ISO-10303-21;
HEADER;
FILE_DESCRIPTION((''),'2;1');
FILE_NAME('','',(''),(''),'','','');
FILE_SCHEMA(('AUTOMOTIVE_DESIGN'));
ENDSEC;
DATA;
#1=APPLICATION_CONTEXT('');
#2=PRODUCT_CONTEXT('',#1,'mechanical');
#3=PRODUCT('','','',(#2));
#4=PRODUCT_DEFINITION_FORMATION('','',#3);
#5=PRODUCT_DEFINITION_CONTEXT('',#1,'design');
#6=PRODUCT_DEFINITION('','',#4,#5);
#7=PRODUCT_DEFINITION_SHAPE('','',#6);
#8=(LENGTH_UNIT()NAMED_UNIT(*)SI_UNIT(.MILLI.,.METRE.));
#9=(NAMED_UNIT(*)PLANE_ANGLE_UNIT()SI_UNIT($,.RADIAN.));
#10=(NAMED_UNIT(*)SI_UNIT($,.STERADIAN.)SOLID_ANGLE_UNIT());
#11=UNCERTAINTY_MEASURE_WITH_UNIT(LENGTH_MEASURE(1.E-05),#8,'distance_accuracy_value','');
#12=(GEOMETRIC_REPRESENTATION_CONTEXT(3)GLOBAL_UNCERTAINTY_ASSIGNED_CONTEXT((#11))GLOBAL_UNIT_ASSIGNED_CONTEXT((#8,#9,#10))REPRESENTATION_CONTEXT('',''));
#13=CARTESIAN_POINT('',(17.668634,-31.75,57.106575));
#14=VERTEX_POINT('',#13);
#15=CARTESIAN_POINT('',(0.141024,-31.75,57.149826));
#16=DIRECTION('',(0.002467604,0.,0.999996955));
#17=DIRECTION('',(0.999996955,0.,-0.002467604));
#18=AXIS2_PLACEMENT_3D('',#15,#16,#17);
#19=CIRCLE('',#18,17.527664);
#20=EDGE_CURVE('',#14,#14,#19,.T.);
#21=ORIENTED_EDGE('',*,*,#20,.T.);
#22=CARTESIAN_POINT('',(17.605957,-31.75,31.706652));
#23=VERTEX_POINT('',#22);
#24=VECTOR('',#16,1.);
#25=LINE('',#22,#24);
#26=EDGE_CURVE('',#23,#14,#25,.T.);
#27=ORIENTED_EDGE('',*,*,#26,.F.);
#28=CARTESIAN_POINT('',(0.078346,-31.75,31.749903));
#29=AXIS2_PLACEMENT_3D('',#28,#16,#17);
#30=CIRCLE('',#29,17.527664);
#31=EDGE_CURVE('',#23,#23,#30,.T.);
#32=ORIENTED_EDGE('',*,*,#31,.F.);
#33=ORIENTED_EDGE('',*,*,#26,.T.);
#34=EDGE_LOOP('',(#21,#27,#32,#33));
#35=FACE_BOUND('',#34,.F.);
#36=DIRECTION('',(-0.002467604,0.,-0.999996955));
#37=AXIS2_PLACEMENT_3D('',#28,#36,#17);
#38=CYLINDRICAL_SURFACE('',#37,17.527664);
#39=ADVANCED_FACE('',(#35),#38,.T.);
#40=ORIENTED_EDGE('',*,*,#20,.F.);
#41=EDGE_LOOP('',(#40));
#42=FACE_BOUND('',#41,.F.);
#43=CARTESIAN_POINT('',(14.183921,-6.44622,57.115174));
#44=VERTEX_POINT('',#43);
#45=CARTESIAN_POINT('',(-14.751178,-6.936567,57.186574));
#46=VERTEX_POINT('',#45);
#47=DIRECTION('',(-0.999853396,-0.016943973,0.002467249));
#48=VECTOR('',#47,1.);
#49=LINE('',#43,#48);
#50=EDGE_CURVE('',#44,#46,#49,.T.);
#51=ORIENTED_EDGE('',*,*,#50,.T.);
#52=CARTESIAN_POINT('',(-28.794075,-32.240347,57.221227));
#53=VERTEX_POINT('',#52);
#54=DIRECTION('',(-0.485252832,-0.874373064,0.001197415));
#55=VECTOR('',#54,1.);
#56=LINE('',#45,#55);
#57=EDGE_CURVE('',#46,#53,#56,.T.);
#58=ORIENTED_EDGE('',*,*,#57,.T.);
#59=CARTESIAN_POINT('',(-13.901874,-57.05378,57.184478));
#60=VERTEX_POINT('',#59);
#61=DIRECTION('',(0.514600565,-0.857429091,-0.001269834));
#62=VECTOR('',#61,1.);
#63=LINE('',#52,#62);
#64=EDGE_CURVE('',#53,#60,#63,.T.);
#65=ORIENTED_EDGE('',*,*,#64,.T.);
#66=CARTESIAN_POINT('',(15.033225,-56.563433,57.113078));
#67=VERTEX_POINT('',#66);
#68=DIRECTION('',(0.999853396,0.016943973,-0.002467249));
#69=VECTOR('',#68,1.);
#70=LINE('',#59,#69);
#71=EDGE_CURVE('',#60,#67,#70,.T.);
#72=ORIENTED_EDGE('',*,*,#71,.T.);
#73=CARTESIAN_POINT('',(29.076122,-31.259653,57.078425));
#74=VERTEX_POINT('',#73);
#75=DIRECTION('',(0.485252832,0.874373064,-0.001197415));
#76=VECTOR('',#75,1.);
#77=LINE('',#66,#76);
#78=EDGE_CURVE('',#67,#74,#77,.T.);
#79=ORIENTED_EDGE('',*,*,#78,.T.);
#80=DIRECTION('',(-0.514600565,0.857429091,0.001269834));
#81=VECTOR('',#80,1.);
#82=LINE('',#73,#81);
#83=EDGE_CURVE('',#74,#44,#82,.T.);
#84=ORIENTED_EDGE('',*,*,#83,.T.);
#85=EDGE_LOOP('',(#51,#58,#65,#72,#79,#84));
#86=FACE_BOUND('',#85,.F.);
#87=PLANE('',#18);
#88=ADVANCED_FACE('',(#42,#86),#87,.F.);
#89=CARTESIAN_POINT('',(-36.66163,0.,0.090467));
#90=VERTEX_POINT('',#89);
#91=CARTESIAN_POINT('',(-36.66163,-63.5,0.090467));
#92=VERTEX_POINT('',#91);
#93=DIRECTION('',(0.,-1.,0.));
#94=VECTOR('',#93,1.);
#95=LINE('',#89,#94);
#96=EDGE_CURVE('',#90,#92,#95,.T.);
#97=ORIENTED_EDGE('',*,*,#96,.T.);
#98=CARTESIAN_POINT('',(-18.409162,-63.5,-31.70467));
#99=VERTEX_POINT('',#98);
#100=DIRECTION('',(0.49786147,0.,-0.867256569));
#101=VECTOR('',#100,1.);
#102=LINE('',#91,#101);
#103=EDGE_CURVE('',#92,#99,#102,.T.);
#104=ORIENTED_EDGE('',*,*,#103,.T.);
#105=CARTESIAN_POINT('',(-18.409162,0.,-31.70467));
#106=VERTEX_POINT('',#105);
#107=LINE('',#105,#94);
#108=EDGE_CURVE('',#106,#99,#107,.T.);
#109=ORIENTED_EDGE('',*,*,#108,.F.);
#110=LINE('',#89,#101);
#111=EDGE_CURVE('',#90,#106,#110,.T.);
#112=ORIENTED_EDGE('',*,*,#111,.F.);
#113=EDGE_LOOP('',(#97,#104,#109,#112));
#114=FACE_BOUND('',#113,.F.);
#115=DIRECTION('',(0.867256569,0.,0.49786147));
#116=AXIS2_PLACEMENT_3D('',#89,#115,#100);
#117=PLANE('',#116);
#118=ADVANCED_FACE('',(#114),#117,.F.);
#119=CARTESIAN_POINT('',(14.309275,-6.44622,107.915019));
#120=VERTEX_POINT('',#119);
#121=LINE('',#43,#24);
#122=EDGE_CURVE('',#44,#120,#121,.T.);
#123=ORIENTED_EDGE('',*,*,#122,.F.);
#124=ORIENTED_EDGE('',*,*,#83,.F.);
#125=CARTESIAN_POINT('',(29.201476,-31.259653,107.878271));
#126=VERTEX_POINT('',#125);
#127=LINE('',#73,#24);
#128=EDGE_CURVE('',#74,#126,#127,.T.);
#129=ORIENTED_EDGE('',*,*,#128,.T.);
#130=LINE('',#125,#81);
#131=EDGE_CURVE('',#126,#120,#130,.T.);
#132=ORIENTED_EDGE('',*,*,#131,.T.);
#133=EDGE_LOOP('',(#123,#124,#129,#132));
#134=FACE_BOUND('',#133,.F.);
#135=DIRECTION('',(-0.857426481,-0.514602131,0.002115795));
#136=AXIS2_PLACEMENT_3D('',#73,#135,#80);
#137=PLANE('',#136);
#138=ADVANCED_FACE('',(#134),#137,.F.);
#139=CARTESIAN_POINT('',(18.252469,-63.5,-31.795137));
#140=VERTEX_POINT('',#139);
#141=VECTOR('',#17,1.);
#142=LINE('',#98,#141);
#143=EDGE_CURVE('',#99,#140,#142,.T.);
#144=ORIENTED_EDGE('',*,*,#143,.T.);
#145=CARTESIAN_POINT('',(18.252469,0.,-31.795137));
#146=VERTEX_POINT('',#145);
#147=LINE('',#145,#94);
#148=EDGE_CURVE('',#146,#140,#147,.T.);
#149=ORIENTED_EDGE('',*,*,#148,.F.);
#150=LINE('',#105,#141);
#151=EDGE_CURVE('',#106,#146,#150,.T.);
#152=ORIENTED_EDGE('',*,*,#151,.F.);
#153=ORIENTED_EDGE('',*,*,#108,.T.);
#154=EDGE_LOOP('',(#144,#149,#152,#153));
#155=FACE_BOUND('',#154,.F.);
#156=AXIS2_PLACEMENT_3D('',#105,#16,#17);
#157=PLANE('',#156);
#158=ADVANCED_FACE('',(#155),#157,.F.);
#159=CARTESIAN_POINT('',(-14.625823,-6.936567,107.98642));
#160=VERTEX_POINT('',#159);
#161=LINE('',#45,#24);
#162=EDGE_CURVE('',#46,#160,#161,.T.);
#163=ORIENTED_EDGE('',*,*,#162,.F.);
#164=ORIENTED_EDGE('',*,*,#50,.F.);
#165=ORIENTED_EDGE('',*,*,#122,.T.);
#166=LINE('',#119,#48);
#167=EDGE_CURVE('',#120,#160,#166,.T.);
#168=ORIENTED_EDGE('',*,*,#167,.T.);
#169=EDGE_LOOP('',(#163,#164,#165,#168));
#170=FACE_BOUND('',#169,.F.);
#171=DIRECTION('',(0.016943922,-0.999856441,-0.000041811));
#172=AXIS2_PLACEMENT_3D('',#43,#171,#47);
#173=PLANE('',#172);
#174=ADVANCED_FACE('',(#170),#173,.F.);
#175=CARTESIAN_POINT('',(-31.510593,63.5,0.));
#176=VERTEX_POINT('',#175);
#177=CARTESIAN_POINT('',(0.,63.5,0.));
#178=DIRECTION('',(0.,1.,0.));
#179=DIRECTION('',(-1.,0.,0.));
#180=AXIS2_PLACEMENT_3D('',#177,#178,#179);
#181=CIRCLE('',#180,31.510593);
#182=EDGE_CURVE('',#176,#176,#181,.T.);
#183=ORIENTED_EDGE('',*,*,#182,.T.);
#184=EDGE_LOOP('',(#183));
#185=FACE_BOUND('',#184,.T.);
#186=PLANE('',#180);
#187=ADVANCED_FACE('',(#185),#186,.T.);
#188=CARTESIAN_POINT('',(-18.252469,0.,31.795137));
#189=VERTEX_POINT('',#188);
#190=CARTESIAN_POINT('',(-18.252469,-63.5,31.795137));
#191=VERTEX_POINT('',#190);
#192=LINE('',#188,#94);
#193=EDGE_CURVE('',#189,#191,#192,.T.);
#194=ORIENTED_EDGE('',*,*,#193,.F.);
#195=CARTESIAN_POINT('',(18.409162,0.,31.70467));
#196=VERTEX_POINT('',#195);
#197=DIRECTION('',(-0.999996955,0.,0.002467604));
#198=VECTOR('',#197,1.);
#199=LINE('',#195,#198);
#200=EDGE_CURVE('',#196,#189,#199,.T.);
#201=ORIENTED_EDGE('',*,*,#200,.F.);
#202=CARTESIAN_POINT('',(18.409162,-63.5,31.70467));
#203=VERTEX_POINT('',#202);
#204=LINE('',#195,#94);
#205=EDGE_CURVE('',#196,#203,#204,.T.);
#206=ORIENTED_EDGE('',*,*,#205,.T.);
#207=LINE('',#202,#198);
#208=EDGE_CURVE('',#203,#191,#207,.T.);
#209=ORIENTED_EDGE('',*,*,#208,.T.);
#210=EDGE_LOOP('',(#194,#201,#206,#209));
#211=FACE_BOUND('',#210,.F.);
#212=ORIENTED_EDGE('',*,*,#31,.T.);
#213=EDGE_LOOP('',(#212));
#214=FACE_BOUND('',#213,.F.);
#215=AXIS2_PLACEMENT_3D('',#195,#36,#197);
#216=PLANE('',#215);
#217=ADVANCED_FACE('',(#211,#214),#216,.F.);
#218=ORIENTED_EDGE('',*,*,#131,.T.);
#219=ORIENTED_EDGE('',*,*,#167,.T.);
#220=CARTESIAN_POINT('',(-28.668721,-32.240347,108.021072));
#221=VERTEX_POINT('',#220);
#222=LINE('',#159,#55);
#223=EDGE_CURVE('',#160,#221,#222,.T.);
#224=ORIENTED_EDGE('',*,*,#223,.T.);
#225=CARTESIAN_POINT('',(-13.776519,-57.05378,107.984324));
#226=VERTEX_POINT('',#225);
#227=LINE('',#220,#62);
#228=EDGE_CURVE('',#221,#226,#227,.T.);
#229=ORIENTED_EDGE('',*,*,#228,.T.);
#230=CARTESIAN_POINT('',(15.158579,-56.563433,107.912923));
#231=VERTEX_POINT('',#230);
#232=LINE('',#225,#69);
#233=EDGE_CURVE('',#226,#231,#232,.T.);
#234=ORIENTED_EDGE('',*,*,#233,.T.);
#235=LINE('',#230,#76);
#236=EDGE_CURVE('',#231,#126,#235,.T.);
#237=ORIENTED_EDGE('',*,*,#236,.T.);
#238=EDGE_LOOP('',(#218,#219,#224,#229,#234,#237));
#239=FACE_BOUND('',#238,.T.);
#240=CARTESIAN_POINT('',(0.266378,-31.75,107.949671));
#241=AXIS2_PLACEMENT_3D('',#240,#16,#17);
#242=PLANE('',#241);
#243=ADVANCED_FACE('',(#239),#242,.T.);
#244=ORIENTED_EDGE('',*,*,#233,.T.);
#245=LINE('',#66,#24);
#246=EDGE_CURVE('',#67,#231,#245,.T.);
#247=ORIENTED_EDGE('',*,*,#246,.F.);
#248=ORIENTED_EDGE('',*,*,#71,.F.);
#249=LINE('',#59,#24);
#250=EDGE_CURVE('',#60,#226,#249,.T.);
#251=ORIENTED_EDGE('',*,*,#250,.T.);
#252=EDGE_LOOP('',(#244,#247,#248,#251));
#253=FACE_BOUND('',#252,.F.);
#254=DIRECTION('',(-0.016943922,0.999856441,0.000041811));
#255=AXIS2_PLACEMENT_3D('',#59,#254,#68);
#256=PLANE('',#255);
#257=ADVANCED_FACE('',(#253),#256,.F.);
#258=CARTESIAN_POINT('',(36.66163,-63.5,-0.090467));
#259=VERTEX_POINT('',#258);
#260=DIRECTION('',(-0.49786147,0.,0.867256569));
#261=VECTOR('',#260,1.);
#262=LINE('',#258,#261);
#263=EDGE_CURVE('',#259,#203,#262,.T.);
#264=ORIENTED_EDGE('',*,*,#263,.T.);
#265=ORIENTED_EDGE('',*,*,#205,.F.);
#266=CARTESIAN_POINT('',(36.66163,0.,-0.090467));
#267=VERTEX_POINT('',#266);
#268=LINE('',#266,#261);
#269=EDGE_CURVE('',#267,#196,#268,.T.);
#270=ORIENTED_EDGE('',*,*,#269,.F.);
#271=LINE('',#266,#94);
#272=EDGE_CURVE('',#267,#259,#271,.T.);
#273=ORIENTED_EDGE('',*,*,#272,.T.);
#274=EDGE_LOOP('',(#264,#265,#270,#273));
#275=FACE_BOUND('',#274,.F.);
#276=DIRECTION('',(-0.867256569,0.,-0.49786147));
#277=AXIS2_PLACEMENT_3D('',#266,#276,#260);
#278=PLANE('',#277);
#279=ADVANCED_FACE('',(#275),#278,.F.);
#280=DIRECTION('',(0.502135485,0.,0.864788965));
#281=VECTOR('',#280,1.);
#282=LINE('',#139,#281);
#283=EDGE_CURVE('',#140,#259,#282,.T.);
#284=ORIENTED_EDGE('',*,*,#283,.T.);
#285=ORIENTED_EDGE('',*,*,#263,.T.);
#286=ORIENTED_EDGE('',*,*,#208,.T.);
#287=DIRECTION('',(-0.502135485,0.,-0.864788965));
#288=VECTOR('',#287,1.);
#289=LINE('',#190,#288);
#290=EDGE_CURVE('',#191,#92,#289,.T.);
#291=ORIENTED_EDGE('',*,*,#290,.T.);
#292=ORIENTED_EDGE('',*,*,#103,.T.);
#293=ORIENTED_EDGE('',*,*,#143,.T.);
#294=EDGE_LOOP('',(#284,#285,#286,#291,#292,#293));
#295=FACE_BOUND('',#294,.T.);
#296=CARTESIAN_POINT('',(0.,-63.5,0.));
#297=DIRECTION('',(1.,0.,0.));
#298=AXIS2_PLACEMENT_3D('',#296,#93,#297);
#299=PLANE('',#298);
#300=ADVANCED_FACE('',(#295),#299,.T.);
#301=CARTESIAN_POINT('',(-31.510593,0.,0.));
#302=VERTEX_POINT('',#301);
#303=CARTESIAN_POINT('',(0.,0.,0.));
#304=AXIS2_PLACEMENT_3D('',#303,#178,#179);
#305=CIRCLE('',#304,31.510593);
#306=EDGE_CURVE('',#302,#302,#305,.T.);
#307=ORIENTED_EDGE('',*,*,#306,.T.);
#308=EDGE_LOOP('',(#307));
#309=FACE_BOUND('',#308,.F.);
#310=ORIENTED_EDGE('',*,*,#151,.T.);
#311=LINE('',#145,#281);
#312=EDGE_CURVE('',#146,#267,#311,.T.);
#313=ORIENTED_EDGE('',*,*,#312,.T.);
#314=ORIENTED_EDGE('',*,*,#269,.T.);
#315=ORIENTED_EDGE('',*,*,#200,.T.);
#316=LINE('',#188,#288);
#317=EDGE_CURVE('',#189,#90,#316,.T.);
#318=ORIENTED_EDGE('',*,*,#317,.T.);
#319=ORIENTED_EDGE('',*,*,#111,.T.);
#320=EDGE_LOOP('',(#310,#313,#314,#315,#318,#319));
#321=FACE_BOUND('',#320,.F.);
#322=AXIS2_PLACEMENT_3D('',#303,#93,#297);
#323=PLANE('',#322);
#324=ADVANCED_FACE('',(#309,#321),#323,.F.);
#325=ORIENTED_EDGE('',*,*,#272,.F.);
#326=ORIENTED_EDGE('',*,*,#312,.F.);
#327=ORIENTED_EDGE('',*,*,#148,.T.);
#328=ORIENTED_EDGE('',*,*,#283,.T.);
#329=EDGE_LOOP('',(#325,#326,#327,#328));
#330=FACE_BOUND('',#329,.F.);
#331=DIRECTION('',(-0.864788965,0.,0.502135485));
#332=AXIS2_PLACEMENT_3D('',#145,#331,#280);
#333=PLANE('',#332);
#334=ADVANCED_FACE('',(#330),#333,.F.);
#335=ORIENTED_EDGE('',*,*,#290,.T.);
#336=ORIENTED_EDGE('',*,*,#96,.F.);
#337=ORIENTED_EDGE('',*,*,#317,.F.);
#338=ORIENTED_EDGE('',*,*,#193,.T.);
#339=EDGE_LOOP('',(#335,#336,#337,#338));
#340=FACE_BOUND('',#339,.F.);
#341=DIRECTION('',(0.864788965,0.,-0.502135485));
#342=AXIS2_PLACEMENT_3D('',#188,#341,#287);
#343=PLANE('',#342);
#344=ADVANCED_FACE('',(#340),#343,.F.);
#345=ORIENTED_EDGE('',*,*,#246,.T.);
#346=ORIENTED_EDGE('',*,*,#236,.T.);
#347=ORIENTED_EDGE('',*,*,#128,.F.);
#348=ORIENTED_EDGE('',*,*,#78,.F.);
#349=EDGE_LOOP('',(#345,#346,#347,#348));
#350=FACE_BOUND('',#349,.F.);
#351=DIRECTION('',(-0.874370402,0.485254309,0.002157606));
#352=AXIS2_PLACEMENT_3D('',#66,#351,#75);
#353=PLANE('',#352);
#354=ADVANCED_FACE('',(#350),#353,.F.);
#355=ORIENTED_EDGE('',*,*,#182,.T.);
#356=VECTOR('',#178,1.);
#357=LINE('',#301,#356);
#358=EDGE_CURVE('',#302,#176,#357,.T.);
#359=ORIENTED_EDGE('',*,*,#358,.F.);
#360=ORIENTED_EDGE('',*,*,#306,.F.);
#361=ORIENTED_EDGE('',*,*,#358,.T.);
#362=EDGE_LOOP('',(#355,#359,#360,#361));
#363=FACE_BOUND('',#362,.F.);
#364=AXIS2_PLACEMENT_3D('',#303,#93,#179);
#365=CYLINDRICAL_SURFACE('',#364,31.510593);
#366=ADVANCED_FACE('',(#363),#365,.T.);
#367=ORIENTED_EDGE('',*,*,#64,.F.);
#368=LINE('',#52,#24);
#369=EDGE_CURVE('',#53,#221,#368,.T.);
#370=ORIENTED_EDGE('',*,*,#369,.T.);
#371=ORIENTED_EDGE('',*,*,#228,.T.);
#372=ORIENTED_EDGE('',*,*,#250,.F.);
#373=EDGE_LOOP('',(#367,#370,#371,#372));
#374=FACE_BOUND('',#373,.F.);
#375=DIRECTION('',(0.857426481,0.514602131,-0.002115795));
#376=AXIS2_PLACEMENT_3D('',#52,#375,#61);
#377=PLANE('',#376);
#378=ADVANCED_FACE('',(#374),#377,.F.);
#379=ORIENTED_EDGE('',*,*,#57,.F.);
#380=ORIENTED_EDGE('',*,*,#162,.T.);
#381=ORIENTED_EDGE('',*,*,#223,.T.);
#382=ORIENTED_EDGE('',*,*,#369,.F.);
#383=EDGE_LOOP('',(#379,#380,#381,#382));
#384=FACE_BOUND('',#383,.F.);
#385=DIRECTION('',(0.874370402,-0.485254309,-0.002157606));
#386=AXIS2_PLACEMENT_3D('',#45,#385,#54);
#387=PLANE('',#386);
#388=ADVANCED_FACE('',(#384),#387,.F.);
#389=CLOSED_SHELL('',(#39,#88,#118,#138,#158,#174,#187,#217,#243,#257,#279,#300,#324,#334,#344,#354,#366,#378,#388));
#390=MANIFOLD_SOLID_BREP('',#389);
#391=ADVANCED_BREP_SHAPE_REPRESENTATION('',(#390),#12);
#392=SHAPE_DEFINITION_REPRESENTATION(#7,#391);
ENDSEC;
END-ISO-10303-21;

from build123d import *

# Parameters (mm, degrees)
F1_DEPTH = 63.5
F2_R     = 31.5105933146
F3_DEPTH = 63.5
F4_R     = 17.5276637919
F5_DEPTH = 25.4
F7_DEPTH = 50.8


with BuildPart() as f1:
    # F0 (on Front) → F1 (new body)
    with BuildSketch(Plane.XZ):
        Polygon((18.2524688239, -31.795136659), (36.6616304755, -0.0904666463), (18.4091616516, 31.7046700128), (-18.2524688239, 31.795136659), (-36.6616304755, 0.0904666463), (-18.4091616516, -31.7046700128), align=None)
    extrude(amount=F1_DEPTH)

    # F2 (on face) → F3 (join)
    with BuildSketch(Plane(origin=(0, 0, 0), x_dir=(-1, 0, 0), z_dir=(0, 1, 0))):
        Circle(F2_R)
    extrude(amount=F3_DEPTH)

    # F4 (on face) → F5 (join)
    with BuildSketch(Plane(origin=(0.0783464139, 0, 31.7499033359), x_dir=(0.9999969555, 0, -0.0024676036), z_dir=(0.0024676036, 0, 0.9999969555))):
        with Locations((0, -31.75)):
            Circle(F4_R)
    extrude(amount=F5_DEPTH)

    # F6 (on face) → F7 (join)
    with BuildSketch(Plane(origin=(0.141023545, 0, 57.1498260046), x_dir=(0.9999969555, 0, -0.0024676036), z_dir=(0.0024676036, 0, 0.9999969555))):
        Polygon((14.8922465929, -56.5634329038), (28.9351865462, -31.2596525831), (14.0429399534, -6.4462196793), (-14.8922465929, -6.9365670962), (-28.9351865462, -32.2403474169), (-14.0429399534, -57.0537803207), align=None)
    extrude(amount=F7_DEPTH)


solid = f1.part
